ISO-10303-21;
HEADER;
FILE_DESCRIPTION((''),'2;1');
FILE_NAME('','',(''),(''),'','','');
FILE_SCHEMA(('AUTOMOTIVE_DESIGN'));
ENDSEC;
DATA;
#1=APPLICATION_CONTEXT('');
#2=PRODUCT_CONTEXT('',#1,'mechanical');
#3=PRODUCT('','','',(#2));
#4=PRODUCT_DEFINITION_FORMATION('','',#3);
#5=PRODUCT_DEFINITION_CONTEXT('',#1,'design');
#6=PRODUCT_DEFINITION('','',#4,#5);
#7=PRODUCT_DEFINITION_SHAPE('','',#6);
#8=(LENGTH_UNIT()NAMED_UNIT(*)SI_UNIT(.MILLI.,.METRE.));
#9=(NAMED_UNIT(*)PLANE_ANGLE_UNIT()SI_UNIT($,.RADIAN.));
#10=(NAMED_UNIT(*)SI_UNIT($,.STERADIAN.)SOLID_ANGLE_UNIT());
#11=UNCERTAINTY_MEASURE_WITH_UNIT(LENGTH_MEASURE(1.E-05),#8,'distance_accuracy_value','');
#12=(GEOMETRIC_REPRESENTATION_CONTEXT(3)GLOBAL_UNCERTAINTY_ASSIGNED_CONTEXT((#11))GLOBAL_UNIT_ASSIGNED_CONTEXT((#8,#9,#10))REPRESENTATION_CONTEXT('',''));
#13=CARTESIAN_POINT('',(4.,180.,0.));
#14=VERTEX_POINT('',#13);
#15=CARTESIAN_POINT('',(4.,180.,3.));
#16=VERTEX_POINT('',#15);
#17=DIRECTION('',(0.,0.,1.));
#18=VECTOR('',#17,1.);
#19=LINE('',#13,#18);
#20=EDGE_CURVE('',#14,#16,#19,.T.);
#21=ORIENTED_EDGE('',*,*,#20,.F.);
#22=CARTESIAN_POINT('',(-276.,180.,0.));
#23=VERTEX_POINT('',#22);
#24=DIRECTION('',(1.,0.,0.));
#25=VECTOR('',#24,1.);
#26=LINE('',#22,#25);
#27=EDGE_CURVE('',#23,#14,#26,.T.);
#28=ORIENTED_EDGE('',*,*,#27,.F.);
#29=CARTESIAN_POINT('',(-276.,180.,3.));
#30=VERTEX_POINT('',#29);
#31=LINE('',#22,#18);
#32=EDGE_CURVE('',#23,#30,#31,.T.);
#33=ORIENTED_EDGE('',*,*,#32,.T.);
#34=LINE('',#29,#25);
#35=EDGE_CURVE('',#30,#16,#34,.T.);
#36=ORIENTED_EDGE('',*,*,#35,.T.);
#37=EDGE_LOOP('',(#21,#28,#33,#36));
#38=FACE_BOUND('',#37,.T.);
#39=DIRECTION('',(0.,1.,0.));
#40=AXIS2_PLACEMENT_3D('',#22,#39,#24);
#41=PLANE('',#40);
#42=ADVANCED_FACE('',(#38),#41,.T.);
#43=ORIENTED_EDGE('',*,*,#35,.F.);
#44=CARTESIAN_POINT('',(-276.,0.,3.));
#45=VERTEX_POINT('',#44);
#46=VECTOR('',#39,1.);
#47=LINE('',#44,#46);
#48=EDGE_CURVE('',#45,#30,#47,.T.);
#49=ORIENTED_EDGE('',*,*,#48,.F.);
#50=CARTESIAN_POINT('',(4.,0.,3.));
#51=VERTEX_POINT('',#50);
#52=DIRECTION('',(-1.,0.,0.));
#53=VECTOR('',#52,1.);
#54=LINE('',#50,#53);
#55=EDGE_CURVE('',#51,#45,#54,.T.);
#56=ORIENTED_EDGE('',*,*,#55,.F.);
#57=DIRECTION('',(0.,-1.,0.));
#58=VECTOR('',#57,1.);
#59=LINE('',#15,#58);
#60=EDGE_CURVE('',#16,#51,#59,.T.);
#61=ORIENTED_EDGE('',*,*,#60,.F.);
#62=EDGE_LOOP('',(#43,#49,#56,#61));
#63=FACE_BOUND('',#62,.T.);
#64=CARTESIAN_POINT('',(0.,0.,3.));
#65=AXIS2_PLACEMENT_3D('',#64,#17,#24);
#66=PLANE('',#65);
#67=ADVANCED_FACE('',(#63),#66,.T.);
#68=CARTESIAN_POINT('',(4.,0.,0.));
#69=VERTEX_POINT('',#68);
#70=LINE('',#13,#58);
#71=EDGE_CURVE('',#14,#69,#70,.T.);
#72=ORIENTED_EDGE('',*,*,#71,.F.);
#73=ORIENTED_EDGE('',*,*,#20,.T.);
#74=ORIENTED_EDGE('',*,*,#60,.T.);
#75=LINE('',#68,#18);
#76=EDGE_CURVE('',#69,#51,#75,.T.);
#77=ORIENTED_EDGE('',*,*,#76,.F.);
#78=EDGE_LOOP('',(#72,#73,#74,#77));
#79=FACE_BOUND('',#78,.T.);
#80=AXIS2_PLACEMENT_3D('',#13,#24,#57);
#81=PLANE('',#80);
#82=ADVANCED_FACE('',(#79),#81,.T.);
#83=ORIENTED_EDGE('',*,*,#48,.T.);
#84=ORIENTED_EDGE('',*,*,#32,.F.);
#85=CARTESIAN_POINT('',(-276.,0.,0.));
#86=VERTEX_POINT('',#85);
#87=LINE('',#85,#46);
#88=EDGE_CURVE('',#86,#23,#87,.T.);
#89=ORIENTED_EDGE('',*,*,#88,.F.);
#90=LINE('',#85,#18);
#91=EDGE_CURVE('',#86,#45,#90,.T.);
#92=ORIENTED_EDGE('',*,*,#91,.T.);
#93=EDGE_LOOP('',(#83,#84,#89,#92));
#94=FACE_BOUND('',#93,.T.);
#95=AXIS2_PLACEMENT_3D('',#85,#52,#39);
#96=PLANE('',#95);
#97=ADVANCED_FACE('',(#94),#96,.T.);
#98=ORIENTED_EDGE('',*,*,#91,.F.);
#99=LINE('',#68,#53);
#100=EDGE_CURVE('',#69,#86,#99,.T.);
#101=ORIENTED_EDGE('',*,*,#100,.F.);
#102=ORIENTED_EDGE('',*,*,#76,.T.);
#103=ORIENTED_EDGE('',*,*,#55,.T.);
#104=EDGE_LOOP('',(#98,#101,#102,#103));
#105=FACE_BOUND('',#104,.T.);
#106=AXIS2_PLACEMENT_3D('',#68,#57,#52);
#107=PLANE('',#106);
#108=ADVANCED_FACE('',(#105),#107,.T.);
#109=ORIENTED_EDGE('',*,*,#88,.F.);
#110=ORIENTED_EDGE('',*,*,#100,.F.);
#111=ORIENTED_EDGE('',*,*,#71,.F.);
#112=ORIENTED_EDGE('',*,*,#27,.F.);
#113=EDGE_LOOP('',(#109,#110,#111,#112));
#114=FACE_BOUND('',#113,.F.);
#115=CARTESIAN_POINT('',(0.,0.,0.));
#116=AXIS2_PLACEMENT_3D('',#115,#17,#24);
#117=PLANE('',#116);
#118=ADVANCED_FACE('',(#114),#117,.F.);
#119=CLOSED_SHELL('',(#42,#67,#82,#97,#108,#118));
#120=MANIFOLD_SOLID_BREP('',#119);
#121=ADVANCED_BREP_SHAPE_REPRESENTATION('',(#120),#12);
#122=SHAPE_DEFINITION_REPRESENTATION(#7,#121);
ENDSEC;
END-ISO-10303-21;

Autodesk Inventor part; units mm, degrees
ref_plane "YZ Plane" through (0, 0, 0) normal (1, 0, 0) x (0, 1, 0)
ref_plane "XZ Plane" through (0, 0, 0) normal (0, 1, 0) x (-1, 0, 0)
ref_plane "XY Plane" through (0, 0, 0) normal (0, 0, 1) x (1, 0, 0)
sketch "Эскиз1" plane through (0, 0, 0) normal (0, 0, 1) x (1, 0, 0)
  line L0 (4, 0) -> (-276, 0)
  line L1 (-276, 0) -> (-276, 180)
  line L2 (-276, 180) -> (4, 180)
  line L3 (4, 180) -> (4, 0)
  point P0 (0, 0)
  dimension "d0" = 280
  dimension "d1" = 180
extrude "Выдавливание1" add sketch "Эскиз1" along normal blind 3
properties part number "Платформа" material "Нержавеющая сталь"
